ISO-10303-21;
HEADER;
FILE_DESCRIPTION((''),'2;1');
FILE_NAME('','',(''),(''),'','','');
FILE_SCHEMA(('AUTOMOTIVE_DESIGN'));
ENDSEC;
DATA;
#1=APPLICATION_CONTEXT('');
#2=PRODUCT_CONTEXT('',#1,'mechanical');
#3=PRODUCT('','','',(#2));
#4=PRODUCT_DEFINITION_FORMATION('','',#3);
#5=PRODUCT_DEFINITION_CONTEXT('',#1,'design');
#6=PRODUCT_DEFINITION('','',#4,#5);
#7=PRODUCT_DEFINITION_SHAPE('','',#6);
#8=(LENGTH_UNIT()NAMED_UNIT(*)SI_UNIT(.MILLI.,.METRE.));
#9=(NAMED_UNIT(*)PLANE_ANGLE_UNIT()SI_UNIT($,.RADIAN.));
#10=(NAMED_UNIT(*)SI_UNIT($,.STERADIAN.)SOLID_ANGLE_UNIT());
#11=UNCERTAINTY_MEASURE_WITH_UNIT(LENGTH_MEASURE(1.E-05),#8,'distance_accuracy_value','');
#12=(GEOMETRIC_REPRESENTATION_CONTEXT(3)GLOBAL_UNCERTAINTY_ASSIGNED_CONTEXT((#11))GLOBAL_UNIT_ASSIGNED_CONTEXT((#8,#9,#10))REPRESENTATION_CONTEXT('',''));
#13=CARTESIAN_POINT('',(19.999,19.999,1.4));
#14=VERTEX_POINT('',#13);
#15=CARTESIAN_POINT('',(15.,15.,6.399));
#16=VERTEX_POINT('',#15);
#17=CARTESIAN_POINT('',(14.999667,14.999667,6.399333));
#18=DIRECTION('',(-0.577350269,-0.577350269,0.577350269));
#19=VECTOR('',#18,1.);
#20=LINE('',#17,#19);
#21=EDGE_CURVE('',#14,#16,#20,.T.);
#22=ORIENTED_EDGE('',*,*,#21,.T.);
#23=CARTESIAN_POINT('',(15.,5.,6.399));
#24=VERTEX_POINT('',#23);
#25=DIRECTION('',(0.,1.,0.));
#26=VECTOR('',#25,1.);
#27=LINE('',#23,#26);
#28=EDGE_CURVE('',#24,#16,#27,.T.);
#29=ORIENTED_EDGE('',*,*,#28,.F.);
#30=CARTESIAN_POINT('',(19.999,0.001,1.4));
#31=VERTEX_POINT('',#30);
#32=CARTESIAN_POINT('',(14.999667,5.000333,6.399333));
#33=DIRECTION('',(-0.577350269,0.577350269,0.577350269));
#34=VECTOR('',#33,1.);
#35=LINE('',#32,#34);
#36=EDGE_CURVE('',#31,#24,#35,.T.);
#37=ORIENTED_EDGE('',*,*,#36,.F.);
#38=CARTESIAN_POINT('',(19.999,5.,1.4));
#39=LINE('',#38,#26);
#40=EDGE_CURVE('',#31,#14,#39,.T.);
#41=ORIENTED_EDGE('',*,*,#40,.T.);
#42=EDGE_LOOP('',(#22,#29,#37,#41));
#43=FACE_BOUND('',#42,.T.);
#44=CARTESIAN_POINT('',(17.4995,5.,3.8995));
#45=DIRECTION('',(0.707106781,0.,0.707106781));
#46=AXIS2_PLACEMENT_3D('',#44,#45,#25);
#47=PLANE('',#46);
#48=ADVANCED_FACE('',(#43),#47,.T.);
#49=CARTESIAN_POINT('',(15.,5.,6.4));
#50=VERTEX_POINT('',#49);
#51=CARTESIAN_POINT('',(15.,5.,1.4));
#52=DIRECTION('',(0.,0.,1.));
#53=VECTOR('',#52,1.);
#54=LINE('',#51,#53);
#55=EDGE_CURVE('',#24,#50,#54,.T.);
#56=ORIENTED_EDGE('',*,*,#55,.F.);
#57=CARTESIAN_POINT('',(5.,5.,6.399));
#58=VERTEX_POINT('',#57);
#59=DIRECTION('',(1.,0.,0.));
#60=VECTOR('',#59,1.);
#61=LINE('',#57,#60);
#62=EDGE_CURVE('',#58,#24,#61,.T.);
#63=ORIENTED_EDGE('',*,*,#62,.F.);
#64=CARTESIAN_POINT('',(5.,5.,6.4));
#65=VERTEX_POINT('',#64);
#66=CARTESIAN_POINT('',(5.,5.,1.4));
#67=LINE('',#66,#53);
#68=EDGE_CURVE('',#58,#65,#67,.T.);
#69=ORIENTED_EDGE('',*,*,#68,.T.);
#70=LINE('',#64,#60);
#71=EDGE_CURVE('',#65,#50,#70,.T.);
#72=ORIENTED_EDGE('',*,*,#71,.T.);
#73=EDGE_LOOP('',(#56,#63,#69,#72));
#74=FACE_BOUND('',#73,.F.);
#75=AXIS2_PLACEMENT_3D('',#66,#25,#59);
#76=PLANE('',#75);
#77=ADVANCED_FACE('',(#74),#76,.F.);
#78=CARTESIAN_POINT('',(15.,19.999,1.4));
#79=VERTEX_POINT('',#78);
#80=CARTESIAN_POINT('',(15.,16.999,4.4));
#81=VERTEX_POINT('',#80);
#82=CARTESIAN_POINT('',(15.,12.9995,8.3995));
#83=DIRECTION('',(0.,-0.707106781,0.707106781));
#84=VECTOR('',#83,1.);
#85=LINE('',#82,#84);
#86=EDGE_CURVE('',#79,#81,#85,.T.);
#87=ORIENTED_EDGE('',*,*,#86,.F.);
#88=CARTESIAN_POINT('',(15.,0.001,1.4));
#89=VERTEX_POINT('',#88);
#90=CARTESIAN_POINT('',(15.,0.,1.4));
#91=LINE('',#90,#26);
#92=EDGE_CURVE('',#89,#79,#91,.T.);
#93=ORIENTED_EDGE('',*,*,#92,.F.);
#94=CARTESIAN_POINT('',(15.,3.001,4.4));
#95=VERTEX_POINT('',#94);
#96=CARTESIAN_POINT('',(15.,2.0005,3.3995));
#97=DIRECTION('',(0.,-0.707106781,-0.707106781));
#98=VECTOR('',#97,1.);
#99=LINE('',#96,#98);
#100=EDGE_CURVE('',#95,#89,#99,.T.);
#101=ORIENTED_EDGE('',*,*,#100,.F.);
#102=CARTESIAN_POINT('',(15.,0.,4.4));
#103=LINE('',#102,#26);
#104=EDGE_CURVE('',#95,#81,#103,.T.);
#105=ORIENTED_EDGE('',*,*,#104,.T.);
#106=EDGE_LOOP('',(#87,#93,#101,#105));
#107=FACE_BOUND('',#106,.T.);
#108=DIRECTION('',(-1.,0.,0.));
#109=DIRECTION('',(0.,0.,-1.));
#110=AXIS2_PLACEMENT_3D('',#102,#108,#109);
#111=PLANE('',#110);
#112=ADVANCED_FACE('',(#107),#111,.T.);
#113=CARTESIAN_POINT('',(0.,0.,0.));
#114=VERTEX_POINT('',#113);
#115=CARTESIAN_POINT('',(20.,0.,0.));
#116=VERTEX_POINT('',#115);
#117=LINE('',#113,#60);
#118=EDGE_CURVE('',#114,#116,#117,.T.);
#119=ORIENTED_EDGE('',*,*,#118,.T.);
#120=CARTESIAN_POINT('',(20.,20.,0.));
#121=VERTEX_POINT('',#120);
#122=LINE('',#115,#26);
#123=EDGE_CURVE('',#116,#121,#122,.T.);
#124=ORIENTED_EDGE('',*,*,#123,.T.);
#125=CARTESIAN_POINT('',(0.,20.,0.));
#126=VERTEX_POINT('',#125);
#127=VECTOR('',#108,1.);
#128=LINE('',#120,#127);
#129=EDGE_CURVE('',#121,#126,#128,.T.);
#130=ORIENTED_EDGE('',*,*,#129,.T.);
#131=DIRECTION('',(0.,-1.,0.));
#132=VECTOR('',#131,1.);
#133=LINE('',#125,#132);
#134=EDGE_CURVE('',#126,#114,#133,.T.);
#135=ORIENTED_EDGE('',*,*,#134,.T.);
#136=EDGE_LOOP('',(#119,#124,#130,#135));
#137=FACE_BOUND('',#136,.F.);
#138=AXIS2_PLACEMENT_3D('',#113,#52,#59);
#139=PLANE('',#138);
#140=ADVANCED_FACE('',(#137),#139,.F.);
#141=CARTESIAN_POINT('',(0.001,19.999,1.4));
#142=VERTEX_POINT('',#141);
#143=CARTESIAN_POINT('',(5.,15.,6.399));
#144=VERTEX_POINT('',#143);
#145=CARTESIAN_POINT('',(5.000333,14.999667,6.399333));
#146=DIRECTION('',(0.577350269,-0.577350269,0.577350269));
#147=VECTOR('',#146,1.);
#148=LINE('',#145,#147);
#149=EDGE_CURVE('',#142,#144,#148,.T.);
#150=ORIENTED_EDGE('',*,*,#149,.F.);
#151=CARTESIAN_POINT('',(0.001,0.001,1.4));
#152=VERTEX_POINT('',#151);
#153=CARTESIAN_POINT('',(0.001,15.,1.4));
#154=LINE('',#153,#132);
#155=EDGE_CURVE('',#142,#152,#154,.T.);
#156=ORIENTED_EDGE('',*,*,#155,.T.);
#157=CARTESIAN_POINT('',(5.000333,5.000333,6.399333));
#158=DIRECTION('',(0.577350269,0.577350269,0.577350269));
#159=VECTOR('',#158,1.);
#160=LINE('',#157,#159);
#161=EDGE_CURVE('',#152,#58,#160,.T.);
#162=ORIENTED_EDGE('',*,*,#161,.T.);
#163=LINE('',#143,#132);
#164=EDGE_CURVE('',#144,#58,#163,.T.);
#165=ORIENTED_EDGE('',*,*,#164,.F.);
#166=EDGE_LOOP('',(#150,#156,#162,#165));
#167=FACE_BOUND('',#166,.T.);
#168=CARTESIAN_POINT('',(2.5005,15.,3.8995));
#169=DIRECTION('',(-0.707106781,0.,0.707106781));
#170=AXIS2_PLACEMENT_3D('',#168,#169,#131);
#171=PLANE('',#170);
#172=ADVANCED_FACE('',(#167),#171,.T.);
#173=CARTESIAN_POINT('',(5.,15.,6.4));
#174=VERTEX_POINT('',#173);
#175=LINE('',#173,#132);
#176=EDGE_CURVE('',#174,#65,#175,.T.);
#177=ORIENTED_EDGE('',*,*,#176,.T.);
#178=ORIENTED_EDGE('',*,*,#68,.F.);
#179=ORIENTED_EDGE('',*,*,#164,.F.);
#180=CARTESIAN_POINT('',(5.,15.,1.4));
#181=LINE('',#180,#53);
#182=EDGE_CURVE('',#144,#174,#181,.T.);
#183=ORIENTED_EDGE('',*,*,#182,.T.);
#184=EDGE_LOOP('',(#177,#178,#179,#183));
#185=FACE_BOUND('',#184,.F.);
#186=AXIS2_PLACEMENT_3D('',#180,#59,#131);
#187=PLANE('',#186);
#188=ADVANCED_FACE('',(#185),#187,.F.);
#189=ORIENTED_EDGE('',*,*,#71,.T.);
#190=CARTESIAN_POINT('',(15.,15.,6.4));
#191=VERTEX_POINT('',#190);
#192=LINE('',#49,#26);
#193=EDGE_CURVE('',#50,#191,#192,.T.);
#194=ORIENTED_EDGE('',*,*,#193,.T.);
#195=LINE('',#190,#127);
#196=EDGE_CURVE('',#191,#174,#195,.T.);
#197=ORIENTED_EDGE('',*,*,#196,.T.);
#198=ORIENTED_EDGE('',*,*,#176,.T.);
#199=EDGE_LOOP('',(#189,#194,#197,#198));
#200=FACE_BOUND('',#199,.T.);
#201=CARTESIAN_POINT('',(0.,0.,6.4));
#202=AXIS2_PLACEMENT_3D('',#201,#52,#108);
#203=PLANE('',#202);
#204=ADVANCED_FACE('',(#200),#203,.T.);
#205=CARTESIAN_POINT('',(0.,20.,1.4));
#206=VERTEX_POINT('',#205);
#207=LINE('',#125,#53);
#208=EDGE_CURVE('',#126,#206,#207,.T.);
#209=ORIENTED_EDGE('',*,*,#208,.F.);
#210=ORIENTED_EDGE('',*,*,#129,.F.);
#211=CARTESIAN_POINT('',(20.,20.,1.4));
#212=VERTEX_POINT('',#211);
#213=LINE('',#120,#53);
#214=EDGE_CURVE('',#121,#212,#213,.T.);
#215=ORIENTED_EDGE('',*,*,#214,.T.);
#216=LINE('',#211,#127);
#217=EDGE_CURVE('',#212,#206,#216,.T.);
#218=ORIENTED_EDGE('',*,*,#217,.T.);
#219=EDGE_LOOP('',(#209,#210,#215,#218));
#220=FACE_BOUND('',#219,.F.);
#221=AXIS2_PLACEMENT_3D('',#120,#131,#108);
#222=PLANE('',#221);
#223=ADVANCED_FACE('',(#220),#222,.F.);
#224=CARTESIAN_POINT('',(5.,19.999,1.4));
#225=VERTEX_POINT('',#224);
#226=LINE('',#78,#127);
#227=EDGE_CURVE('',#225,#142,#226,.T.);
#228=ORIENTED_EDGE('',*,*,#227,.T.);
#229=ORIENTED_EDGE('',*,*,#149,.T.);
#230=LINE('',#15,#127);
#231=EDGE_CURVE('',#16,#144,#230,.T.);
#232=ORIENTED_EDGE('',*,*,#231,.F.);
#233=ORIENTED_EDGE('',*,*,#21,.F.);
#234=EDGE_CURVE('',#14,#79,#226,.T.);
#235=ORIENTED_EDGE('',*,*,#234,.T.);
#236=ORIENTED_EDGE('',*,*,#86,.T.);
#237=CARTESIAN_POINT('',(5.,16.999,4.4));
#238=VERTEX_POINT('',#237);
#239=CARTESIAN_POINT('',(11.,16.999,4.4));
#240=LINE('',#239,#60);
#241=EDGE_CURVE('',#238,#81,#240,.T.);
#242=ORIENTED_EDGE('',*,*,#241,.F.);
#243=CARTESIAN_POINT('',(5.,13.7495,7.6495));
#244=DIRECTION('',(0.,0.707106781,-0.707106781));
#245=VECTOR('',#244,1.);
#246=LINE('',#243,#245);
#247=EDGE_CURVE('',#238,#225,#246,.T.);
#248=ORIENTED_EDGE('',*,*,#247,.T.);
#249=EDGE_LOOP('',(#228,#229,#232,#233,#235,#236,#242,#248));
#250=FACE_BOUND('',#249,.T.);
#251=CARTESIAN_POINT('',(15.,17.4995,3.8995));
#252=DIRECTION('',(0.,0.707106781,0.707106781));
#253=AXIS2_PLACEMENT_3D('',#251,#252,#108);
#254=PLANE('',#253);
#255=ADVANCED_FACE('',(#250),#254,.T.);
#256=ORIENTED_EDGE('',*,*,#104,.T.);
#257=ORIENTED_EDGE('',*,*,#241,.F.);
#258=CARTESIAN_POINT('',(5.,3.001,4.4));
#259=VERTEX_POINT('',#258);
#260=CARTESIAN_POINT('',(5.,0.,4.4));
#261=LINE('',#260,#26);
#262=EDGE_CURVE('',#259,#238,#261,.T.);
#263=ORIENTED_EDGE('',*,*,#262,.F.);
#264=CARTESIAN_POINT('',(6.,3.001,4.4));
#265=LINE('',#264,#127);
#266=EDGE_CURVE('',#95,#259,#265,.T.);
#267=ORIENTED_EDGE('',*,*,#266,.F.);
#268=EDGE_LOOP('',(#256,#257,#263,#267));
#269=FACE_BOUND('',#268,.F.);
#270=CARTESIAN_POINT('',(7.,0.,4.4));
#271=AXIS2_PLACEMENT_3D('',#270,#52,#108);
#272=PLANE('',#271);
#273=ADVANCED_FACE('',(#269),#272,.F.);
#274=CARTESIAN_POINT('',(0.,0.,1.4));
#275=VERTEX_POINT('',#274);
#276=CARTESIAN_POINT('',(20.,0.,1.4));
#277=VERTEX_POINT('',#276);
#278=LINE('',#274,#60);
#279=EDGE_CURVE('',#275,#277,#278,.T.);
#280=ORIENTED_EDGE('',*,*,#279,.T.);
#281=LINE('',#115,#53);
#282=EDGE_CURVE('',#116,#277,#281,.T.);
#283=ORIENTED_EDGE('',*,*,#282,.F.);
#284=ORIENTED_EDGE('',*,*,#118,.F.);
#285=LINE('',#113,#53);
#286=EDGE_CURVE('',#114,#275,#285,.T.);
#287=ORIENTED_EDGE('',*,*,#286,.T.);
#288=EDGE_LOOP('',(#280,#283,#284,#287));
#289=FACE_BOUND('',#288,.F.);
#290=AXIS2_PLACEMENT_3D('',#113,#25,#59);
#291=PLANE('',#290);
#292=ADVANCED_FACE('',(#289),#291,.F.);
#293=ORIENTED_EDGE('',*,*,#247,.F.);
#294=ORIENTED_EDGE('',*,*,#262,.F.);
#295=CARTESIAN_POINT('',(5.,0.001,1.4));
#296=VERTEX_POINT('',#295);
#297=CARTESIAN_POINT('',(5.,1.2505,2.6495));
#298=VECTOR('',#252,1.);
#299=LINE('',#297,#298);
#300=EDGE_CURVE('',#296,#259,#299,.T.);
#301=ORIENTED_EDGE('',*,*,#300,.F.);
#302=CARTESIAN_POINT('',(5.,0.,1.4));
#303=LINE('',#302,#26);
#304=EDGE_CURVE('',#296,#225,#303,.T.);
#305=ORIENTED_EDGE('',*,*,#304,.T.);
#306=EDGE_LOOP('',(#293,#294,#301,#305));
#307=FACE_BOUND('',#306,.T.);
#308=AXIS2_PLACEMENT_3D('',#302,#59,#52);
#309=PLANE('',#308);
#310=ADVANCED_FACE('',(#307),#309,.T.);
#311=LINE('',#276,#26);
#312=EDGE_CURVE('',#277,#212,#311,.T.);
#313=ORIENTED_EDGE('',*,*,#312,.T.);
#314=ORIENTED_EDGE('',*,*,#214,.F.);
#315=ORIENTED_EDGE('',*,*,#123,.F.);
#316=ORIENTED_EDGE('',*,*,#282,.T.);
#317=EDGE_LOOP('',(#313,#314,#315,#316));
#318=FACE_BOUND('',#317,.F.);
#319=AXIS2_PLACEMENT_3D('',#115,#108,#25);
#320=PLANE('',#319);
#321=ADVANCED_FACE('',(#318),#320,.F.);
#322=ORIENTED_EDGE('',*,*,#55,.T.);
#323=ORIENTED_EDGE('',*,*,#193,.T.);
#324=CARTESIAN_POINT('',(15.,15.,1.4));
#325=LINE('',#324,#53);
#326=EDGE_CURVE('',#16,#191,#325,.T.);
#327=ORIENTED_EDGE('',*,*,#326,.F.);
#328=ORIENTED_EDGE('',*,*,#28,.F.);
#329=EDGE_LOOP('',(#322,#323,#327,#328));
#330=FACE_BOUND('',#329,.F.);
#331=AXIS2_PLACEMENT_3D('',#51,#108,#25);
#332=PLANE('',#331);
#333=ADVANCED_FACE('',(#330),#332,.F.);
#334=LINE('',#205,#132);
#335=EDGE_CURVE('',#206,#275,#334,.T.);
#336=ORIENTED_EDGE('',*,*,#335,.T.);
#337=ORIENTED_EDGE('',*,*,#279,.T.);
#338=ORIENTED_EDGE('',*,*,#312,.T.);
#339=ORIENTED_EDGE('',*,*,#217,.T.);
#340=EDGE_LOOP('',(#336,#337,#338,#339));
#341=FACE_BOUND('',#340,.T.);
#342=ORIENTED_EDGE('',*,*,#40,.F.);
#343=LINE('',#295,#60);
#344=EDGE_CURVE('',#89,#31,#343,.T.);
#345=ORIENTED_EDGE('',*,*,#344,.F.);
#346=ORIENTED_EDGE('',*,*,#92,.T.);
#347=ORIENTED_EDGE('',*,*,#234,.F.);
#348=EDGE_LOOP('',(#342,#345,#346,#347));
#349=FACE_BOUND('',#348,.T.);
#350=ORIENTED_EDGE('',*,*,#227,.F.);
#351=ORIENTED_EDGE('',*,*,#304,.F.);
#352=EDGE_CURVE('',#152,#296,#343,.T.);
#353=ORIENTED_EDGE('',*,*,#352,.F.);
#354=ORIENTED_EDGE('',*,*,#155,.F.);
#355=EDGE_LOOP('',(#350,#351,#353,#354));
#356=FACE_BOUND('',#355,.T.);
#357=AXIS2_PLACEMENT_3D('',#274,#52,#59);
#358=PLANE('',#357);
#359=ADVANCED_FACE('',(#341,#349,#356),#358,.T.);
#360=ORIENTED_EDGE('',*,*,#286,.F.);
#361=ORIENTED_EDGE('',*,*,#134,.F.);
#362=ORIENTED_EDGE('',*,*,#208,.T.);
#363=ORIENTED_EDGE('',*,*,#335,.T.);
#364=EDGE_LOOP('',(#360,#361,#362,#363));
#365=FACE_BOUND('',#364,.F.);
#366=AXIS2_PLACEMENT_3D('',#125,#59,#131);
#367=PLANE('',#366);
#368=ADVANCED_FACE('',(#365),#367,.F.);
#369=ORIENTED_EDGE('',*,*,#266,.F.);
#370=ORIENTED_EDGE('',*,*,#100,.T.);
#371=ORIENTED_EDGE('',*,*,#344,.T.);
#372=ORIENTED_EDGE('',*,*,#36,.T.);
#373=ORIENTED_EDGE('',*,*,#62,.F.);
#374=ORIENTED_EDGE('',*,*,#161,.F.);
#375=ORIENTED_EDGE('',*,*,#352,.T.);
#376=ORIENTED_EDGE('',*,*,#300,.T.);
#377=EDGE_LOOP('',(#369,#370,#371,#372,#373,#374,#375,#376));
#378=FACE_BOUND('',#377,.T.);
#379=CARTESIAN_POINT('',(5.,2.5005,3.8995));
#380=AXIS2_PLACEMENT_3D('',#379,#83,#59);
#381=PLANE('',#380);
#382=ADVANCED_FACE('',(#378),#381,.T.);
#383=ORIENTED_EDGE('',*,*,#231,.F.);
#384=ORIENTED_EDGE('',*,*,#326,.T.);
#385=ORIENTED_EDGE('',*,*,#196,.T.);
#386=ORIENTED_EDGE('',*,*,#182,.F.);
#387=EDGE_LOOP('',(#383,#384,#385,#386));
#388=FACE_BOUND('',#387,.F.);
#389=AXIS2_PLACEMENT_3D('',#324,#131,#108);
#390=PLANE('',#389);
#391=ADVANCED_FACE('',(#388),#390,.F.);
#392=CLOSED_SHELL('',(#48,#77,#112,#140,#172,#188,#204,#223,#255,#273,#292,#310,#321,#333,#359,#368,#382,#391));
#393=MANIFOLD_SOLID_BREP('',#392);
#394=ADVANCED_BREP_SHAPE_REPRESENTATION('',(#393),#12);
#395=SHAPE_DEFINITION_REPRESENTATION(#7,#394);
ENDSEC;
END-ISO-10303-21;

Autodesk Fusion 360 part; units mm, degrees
sketch "Skizze1" plane through (0, 0, 0) normal (0, 0, 1) x (1, 0, 0)
  line L0 (0, 0) -> (20, 0)
  line L1 (20, 0) -> (20, 20)
  line L2 (20, 20) -> (0, 20)
  line L3 (0, 20) -> (0, 0)
  dimension "d1" = 20
  dimension "d2" = 20
extrude "Extrusion1" add sketch "Skizze1" along normal blind 1.4
sketch "Skizze2" plane through (0, 0, 1.4) normal (0, 0, 1) x (-1, 0, 0)
  line L0 (0, -20) -> (0, 0)
  line L1 (0, 0) -> (-20, 0)
  line L2 (-20, 0) -> (-20, -20)
  line L3 (-20, -20) -> (0, -20)
  line L4 (-15, -15) -> (-5, -15)
  line L5 (-5, -15) -> (-5, -5)
  line L6 (-5, -5) -> (-15, -5)
  line L7 (-15, -5) -> (-15, -15)
  line L8 (-15, -15) -> (-5, -5) construction
  line L9 (-5, -15) -> (-15, -5) construction
  point P0 (-10, -10)
extrude "Extrusion2" add sketch "Skizze2" along normal blind 5 contours L4 L5 L6 L7
chamfer "Fase1" distance 5 angle 45 4 edges at (10, 5, 1.4) (5, 10, 1.4) (10, 15, 1.4) (15, 10, 1.4)
sketch "Skizze3" plane through (0, 0, 0) normal (0, 1, 0) x (1, 0, 0)
  line L0 (0, 0) -> (0, -1.4)
  line L1 (0, -1.4) -> (20, -1.4)
  line L2 (10, -1.4) -> (10, -4.4)
  line L3 (10, -4.4) -> (7, -4.4)
  line L4 (7, -4.4) -> (13, -4.4)
  line L5 (13, -4.4) -> (13, -1.4)
  line L6 (13, -1.4) -> (7, -1.4)
  line L7 (7, -1.4) -> (7, -4.4)
  line L8 (7, -4.4) -> (5, -4.4)
  line L9 (5, -4.4) -> (15, -4.4)
  line L10 (15, -4.4) -> (15, -1.4)
  line L11 (15, -1.4) -> (5, -1.4)
  line L12 (5, -1.4) -> (5, -4.4)
  dimension "d8" = 2
extrude "Extrusion3" cut sketch "Skizze3" along normal blind 21
sketch "Skizze4" plane through (0, 0, 0) normal (1, 0, 0) x (0, 1, 0)
  line L0 (0, 0) -> (0, 1.4)
  line L1 (0, 1.4) -> (5, 1.4)
  line L2 (5, 1.4) -> (15, 1.4)
  line L3 (15, 1.4) -> (15, 4.4)
  line L4 (15, 4.4) -> (5, 4.4)
  line L5 (5, 4.4) -> (5, 1.4)
  dimension "d11" = 10
  dimension "d12" = 3
